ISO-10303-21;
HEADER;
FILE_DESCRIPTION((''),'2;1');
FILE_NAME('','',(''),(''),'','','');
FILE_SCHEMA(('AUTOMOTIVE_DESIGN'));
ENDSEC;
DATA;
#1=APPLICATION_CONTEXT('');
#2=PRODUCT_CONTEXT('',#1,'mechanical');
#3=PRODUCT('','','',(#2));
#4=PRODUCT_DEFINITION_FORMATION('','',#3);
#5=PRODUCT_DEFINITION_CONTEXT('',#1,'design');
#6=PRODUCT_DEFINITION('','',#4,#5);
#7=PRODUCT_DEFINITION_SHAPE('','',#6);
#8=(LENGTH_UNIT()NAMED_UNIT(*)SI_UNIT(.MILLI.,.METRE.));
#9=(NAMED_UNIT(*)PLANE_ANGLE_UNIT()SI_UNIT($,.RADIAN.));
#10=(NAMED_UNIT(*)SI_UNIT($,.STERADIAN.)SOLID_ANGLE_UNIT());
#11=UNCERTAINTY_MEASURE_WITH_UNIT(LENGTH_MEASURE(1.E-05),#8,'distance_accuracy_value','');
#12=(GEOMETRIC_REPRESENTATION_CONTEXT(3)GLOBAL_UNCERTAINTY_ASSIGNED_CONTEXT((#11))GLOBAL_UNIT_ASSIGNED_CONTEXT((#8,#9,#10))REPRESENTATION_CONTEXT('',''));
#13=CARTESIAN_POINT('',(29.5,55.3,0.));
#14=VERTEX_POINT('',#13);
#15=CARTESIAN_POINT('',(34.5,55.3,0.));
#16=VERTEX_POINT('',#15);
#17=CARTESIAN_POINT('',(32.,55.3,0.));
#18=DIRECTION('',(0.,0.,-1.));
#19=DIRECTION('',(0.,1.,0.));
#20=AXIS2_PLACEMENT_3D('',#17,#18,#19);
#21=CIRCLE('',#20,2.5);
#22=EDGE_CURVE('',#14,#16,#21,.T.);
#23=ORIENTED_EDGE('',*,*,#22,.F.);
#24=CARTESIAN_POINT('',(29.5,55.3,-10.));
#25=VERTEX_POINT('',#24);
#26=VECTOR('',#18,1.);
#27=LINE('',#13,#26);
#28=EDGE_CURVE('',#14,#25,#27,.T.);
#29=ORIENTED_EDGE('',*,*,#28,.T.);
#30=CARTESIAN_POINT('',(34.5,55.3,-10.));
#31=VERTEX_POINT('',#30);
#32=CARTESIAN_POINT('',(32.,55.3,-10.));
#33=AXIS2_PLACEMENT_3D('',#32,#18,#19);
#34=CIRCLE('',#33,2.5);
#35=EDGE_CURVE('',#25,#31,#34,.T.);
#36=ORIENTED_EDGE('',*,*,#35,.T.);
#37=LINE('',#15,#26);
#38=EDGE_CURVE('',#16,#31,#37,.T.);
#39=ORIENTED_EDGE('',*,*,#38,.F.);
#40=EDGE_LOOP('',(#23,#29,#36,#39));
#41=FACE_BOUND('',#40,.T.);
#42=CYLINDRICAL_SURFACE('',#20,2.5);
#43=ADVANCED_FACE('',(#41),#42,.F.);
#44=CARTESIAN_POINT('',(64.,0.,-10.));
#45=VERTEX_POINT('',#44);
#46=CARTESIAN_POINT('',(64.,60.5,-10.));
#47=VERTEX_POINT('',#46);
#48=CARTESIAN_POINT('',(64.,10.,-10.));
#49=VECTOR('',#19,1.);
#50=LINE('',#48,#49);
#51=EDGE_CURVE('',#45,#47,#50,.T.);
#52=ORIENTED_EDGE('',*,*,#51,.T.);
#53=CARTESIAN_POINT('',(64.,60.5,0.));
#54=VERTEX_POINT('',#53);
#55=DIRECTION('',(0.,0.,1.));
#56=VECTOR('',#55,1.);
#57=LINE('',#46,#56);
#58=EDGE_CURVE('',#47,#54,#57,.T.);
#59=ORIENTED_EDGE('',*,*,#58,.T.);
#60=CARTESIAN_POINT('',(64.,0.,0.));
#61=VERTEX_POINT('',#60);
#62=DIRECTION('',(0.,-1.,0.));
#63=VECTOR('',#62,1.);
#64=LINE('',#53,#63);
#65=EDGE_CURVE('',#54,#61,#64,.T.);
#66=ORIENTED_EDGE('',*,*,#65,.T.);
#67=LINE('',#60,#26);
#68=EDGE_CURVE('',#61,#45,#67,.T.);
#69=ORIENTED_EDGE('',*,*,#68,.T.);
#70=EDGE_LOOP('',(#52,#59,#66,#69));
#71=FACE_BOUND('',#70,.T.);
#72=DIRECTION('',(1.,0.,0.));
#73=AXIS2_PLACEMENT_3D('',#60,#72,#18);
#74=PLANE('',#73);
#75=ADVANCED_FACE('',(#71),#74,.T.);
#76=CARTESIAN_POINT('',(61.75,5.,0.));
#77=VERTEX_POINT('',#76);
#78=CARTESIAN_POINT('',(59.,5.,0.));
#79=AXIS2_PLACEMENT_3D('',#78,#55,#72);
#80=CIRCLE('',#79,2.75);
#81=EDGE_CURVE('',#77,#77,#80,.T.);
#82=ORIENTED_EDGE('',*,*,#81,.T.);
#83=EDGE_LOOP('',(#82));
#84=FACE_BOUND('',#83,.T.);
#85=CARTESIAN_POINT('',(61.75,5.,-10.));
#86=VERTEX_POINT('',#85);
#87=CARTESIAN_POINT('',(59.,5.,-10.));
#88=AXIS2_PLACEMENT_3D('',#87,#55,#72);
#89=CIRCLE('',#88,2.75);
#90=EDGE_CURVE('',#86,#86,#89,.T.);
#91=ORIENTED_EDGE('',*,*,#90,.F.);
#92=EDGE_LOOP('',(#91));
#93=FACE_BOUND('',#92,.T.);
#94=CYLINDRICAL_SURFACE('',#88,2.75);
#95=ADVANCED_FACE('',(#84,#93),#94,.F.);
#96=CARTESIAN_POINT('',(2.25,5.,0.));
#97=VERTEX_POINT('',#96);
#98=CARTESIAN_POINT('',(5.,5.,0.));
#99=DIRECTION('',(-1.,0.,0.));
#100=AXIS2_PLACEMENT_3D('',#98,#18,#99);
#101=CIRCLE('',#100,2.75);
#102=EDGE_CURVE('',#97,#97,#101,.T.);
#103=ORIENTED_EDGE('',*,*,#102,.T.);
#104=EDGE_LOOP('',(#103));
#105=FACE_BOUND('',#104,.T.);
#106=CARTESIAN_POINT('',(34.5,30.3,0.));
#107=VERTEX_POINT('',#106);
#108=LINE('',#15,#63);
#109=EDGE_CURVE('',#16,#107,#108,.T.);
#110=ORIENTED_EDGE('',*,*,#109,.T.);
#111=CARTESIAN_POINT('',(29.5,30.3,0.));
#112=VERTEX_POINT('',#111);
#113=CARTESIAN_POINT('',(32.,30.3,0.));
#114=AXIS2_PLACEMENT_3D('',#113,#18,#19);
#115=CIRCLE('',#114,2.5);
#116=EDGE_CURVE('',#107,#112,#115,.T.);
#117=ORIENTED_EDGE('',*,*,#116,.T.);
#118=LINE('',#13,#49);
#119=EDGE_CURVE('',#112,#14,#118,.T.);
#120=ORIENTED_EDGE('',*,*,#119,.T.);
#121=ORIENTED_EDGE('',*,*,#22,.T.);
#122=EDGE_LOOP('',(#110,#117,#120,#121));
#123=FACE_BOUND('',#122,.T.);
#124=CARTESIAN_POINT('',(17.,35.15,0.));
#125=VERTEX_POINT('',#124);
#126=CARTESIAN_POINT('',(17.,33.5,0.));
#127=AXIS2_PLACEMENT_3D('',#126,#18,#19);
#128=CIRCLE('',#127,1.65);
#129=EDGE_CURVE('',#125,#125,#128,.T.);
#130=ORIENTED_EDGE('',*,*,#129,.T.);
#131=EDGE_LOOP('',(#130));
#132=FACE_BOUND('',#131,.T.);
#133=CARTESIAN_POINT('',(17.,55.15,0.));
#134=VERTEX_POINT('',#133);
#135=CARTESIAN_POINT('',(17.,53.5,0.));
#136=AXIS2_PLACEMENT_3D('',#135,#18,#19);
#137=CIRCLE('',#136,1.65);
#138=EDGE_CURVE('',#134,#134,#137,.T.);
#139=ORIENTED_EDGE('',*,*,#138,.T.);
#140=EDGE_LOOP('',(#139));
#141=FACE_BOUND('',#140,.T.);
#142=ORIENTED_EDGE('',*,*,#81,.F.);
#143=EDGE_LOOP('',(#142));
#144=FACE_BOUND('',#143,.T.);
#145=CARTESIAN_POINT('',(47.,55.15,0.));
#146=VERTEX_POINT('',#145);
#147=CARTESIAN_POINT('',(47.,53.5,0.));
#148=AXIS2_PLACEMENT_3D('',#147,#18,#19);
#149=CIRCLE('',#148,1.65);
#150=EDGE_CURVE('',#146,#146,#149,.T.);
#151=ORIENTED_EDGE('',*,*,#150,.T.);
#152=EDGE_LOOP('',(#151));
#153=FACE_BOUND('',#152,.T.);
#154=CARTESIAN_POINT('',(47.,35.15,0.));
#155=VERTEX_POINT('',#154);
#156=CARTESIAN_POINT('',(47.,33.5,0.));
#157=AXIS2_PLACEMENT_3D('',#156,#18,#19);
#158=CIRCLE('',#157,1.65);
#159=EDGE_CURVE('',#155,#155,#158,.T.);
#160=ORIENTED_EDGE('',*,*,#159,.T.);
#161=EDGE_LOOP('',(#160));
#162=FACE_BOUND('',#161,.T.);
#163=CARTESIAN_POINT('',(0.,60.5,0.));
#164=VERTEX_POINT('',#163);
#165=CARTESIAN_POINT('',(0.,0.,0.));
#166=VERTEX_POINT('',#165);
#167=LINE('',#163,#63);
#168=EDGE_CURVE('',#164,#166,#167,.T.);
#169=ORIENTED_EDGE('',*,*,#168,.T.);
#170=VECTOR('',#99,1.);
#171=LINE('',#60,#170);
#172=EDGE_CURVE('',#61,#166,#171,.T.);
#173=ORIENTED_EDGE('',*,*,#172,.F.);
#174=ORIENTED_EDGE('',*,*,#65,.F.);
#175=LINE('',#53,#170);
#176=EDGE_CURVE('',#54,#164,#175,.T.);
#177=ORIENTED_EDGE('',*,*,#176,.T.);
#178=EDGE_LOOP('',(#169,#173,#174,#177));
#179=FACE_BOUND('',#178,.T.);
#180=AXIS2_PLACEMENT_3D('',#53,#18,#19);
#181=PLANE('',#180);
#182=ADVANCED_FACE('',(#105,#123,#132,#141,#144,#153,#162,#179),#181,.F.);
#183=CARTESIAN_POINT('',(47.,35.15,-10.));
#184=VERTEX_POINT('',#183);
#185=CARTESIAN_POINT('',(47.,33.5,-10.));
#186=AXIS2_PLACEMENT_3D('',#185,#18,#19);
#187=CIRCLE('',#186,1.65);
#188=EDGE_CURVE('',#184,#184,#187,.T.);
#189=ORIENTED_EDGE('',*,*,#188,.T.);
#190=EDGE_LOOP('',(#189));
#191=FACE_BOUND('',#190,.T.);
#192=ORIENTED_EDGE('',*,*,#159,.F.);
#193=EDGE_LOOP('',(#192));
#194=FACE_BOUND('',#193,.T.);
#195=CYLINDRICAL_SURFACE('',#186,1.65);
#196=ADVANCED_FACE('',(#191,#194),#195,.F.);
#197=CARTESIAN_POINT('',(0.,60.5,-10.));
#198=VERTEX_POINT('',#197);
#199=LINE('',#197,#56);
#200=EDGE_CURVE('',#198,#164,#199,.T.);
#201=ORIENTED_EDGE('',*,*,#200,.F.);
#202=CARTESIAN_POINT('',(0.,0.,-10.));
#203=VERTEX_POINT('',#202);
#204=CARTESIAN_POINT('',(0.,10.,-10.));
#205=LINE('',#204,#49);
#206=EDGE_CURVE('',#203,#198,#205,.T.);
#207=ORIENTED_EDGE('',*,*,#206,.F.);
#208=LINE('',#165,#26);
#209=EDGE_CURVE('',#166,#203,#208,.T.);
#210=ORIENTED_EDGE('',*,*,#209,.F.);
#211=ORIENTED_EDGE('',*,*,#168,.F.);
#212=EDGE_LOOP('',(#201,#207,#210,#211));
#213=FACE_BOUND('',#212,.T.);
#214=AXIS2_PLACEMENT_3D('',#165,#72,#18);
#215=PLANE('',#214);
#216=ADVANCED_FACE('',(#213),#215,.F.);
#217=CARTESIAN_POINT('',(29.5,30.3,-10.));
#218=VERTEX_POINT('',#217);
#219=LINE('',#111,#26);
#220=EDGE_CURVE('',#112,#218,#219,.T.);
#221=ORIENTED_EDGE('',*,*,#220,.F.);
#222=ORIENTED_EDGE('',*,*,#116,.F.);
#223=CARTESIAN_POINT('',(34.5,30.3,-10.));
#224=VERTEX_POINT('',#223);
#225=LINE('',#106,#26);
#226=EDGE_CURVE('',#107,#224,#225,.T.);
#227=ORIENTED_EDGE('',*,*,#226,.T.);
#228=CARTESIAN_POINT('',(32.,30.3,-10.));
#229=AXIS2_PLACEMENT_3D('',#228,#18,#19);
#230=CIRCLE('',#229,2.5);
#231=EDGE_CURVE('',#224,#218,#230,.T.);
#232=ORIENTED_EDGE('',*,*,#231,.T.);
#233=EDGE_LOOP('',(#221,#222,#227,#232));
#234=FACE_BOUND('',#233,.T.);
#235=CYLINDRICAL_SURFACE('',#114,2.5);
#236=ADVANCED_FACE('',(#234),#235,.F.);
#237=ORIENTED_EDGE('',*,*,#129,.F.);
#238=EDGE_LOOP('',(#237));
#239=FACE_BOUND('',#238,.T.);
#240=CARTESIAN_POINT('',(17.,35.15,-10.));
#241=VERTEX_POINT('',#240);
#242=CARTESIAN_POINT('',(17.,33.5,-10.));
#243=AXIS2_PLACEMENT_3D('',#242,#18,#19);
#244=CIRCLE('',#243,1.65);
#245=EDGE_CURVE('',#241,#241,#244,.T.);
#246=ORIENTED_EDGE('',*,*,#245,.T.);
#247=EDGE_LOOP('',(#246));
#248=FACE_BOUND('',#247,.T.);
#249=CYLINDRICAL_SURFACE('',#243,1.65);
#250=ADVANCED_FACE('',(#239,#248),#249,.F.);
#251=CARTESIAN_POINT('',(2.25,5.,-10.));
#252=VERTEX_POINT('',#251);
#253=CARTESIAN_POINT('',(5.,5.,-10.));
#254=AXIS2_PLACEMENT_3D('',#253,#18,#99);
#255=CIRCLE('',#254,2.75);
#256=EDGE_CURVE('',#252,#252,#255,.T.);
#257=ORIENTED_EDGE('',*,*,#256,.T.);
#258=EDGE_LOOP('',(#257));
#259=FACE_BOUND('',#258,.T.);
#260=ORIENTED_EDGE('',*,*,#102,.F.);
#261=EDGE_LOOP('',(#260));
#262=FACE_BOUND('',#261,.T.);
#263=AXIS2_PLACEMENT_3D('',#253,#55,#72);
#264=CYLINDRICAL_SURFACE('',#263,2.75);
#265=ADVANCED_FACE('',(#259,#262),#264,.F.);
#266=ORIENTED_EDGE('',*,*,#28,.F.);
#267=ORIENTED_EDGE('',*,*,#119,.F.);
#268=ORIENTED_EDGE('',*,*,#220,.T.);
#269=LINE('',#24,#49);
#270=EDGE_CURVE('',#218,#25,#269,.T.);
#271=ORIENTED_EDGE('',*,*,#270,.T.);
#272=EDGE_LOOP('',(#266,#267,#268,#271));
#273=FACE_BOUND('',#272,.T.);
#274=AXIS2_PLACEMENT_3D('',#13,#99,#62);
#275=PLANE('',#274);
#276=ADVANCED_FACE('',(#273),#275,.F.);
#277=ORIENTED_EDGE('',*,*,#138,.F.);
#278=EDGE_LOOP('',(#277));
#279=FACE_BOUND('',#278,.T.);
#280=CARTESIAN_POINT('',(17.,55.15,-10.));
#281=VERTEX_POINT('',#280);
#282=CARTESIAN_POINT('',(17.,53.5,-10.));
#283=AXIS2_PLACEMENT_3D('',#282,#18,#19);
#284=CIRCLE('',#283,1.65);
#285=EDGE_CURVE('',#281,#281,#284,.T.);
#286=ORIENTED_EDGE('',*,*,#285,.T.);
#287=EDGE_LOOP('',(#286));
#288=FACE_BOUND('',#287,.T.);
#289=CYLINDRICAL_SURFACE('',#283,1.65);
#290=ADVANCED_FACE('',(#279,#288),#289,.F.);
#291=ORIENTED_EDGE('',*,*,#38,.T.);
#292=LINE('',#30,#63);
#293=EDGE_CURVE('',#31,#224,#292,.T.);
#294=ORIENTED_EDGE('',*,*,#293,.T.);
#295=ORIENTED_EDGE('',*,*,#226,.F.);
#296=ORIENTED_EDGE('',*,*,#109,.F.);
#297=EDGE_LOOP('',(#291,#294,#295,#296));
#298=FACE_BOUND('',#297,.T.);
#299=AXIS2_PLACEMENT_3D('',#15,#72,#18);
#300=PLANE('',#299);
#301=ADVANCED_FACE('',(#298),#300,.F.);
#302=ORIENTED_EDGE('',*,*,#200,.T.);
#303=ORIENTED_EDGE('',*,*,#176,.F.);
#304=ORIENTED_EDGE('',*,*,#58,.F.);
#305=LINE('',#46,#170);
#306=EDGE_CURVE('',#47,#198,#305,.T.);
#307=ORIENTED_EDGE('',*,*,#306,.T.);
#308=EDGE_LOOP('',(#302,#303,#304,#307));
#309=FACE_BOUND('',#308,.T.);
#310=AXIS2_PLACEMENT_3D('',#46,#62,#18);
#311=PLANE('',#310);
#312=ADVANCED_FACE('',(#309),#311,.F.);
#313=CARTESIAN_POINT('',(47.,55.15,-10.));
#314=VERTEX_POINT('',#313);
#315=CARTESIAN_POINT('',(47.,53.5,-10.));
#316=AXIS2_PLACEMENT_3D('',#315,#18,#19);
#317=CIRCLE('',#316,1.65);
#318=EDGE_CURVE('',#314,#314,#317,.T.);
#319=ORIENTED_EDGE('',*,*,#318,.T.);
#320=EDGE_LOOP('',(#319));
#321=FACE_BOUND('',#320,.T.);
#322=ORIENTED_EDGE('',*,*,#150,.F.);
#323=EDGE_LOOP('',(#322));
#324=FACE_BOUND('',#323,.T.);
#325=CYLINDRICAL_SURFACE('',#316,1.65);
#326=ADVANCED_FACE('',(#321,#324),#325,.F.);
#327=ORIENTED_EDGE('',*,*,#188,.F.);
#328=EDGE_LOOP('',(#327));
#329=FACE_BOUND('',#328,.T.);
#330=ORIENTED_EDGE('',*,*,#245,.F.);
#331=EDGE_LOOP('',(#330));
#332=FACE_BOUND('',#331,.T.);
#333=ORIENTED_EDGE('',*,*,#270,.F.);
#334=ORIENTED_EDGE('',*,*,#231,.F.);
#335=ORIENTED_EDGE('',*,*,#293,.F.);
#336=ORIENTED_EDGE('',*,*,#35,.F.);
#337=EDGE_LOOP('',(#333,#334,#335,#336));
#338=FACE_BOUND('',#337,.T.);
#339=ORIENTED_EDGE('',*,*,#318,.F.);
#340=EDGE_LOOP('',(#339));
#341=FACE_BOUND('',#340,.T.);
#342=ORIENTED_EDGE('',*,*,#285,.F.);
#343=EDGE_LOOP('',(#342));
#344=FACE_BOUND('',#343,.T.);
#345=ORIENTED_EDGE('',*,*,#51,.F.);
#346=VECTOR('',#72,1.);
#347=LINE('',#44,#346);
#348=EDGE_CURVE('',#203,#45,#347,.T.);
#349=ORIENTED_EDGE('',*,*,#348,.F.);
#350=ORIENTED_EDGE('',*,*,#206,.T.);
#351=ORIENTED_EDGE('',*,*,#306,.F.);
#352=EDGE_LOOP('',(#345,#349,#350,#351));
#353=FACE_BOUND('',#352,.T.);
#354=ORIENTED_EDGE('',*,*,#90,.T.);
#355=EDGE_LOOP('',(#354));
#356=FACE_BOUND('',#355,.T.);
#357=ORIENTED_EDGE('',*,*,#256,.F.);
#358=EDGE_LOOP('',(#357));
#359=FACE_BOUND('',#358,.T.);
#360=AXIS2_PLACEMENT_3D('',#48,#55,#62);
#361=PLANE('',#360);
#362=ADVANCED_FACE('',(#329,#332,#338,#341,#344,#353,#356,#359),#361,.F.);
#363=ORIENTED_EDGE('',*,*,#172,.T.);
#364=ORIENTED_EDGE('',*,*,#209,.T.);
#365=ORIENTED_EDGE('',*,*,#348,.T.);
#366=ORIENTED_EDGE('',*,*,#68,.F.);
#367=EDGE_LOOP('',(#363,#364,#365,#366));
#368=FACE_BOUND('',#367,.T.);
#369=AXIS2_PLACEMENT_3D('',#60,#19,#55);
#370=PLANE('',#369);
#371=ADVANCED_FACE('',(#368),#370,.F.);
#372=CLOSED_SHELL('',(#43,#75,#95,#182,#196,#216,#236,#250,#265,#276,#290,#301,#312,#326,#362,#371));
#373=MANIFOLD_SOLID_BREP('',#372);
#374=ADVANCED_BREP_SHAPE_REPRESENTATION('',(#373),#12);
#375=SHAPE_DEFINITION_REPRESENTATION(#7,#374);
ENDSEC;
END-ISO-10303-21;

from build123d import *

# Parameters (mm, degrees)
BOSS_EXTRUDE1_DEPTH  = 64
SKETCH4_R            = 2.25
CUT_EXTRUDE2_DEPTH   = 10
LPATTERN2_COUNT      = 2
LPATTERN2_PITCH      = 12
LPATTERN2_COUNT_DIR2 = 2
LPATTERN2_PITCH_DIR2 = 56.5
CUT_EXTRUDE3_DEPTH   = 10
SKETCH6_R            = 2.75
CUT_EXTRUDE4_DEPTH   = 1.5
LPATTERN3_COUNT      = 2
LPATTERN3_PITCH      = 12
LPATTERN3_COUNT_DIR2 = 2
LPATTERN3_PITCH_DIR2 = 22.2
SKETCH7_W            = 93.831963321
SKETCH7_H            = 64.757190555
CUT_EXTRUDE5_DEPTH   = 65
SKETCH8_R            = 2.75
CUT_EXTRUDE6_DEPTH   = 11
M4_TAPPED_HOLE1_D    = 3.3


with BuildPart() as part:
    # Sketch1 → Boss-Extrude1 (new body)
    with BuildSketch(Plane(origin=(0, 0, 0), x_dir=(0, 0, -1), z_dir=(1, 0, 0))):
        Polygon((0, 60.5), (0, 0), (98, 0), (98, 10), (10, 10), (10, 60.5), align=None)
    extrude(amount=BOSS_EXTRUDE1_DEPTH)

    # Sketch4 → Cut-Extrude2 (cut)
    with BuildSketch(Plane(origin=(0, 10, 0), x_dir=(1, 0, 0), z_dir=(0, 1, 0))):
        with Locations(Location((60.25, 89, 0), (0, 0, 270))):  # turned: the seam where the file's is
            Circle(SKETCH4_R)
    cut_extrude2 = extrude(amount=-CUT_EXTRUDE2_DEPTH, mode=Mode.SUBTRACT)

    # LPattern2: Cut-Extrude2 2 × 2
    with Locations(*[(-j * LPATTERN2_PITCH_DIR2, 0, i * LPATTERN2_PITCH) for i in range(LPATTERN2_COUNT) for j in range(LPATTERN2_COUNT_DIR2) if (i, j) != (0, 0)]):
        add(cut_extrude2, mode=Mode.SUBTRACT)

    # Sketch5 → Cut-Extrude3 (cut)
    with BuildSketch(Plane(origin=(0, 0, -10), x_dir=(-1, 0, 0), z_dir=(0, 0, -1))):
        with BuildLine():
            Line((-29.5, 55.3), (-29.5, 30.3))
            ThreePointArc((-29.5, 30.3), (-32, 27.8), (-34.5, 30.3))
            Line((-34.5, 30.3), (-34.5, 55.3))
            ThreePointArc((-34.5, 55.3), (-32, 57.8), (-29.5, 55.3))
        make_face()
    extrude(amount=-CUT_EXTRUDE3_DEPTH, mode=Mode.SUBTRACT)

    # Sketch6 → Cut-Extrude4 (cut)
    with BuildSketch(Plane(origin=(0, 10, 0), x_dir=(1, 0, 0), z_dir=(0, 1, 0))):
        with Locations(Location((38, 94.1, 0), (0, 0, 270))):  # turned: the seam where the file's is
            Circle(SKETCH6_R)
    cut_extrude4 = extrude(amount=-CUT_EXTRUDE4_DEPTH, mode=Mode.SUBTRACT)

    # LPattern3: Cut-Extrude4 2 × 2
    with Locations(*[(-i * LPATTERN3_PITCH, 0, j * LPATTERN3_PITCH_DIR2) for i in range(LPATTERN3_COUNT) for j in range(LPATTERN3_COUNT_DIR2) if (i, j) != (0, 0)]):
        add(cut_extrude4, mode=Mode.SUBTRACT)

    # Sketch7 → Cut-Extrude5 (cut, through all)
    with BuildSketch(Plane(origin=(64, 0, 0), x_dir=(0, 0, -1), z_dir=(1, 0, 0))):
        with Locations((56.915981661, 28.121404723)):
            Rectangle(SKETCH7_W, SKETCH7_H)
    extrude(amount=-CUT_EXTRUDE5_DEPTH, mode=Mode.SUBTRACT)

    # Sketch8 → Cut-Extrude6 (cut, through all)
    with BuildSketch(Plane.XY):
        with Locations((59, 5)):
            Circle(SKETCH8_R)
    cut_extrude6 = extrude(amount=-CUT_EXTRUDE6_DEPTH, mode=Mode.SUBTRACT)

    # Mirror1: Cut-Extrude6 across plane
    add(cut_extrude6.mirror(Plane.ZY.offset(-32)), mode=Mode.SUBTRACT)

    # M4 Tapped Hole1 (through all)
    with Locations(Plane(origin=(0, 0, -10), x_dir=(-1, 0, 0), z_dir=(0, 0, -1))):
        with Locations((-17, 53.5), (-47, 33.5), (-17, 33.5), (-47, 53.5)):
            Hole(M4_TAPPED_HOLE1_D / 2)


solid = part.part
